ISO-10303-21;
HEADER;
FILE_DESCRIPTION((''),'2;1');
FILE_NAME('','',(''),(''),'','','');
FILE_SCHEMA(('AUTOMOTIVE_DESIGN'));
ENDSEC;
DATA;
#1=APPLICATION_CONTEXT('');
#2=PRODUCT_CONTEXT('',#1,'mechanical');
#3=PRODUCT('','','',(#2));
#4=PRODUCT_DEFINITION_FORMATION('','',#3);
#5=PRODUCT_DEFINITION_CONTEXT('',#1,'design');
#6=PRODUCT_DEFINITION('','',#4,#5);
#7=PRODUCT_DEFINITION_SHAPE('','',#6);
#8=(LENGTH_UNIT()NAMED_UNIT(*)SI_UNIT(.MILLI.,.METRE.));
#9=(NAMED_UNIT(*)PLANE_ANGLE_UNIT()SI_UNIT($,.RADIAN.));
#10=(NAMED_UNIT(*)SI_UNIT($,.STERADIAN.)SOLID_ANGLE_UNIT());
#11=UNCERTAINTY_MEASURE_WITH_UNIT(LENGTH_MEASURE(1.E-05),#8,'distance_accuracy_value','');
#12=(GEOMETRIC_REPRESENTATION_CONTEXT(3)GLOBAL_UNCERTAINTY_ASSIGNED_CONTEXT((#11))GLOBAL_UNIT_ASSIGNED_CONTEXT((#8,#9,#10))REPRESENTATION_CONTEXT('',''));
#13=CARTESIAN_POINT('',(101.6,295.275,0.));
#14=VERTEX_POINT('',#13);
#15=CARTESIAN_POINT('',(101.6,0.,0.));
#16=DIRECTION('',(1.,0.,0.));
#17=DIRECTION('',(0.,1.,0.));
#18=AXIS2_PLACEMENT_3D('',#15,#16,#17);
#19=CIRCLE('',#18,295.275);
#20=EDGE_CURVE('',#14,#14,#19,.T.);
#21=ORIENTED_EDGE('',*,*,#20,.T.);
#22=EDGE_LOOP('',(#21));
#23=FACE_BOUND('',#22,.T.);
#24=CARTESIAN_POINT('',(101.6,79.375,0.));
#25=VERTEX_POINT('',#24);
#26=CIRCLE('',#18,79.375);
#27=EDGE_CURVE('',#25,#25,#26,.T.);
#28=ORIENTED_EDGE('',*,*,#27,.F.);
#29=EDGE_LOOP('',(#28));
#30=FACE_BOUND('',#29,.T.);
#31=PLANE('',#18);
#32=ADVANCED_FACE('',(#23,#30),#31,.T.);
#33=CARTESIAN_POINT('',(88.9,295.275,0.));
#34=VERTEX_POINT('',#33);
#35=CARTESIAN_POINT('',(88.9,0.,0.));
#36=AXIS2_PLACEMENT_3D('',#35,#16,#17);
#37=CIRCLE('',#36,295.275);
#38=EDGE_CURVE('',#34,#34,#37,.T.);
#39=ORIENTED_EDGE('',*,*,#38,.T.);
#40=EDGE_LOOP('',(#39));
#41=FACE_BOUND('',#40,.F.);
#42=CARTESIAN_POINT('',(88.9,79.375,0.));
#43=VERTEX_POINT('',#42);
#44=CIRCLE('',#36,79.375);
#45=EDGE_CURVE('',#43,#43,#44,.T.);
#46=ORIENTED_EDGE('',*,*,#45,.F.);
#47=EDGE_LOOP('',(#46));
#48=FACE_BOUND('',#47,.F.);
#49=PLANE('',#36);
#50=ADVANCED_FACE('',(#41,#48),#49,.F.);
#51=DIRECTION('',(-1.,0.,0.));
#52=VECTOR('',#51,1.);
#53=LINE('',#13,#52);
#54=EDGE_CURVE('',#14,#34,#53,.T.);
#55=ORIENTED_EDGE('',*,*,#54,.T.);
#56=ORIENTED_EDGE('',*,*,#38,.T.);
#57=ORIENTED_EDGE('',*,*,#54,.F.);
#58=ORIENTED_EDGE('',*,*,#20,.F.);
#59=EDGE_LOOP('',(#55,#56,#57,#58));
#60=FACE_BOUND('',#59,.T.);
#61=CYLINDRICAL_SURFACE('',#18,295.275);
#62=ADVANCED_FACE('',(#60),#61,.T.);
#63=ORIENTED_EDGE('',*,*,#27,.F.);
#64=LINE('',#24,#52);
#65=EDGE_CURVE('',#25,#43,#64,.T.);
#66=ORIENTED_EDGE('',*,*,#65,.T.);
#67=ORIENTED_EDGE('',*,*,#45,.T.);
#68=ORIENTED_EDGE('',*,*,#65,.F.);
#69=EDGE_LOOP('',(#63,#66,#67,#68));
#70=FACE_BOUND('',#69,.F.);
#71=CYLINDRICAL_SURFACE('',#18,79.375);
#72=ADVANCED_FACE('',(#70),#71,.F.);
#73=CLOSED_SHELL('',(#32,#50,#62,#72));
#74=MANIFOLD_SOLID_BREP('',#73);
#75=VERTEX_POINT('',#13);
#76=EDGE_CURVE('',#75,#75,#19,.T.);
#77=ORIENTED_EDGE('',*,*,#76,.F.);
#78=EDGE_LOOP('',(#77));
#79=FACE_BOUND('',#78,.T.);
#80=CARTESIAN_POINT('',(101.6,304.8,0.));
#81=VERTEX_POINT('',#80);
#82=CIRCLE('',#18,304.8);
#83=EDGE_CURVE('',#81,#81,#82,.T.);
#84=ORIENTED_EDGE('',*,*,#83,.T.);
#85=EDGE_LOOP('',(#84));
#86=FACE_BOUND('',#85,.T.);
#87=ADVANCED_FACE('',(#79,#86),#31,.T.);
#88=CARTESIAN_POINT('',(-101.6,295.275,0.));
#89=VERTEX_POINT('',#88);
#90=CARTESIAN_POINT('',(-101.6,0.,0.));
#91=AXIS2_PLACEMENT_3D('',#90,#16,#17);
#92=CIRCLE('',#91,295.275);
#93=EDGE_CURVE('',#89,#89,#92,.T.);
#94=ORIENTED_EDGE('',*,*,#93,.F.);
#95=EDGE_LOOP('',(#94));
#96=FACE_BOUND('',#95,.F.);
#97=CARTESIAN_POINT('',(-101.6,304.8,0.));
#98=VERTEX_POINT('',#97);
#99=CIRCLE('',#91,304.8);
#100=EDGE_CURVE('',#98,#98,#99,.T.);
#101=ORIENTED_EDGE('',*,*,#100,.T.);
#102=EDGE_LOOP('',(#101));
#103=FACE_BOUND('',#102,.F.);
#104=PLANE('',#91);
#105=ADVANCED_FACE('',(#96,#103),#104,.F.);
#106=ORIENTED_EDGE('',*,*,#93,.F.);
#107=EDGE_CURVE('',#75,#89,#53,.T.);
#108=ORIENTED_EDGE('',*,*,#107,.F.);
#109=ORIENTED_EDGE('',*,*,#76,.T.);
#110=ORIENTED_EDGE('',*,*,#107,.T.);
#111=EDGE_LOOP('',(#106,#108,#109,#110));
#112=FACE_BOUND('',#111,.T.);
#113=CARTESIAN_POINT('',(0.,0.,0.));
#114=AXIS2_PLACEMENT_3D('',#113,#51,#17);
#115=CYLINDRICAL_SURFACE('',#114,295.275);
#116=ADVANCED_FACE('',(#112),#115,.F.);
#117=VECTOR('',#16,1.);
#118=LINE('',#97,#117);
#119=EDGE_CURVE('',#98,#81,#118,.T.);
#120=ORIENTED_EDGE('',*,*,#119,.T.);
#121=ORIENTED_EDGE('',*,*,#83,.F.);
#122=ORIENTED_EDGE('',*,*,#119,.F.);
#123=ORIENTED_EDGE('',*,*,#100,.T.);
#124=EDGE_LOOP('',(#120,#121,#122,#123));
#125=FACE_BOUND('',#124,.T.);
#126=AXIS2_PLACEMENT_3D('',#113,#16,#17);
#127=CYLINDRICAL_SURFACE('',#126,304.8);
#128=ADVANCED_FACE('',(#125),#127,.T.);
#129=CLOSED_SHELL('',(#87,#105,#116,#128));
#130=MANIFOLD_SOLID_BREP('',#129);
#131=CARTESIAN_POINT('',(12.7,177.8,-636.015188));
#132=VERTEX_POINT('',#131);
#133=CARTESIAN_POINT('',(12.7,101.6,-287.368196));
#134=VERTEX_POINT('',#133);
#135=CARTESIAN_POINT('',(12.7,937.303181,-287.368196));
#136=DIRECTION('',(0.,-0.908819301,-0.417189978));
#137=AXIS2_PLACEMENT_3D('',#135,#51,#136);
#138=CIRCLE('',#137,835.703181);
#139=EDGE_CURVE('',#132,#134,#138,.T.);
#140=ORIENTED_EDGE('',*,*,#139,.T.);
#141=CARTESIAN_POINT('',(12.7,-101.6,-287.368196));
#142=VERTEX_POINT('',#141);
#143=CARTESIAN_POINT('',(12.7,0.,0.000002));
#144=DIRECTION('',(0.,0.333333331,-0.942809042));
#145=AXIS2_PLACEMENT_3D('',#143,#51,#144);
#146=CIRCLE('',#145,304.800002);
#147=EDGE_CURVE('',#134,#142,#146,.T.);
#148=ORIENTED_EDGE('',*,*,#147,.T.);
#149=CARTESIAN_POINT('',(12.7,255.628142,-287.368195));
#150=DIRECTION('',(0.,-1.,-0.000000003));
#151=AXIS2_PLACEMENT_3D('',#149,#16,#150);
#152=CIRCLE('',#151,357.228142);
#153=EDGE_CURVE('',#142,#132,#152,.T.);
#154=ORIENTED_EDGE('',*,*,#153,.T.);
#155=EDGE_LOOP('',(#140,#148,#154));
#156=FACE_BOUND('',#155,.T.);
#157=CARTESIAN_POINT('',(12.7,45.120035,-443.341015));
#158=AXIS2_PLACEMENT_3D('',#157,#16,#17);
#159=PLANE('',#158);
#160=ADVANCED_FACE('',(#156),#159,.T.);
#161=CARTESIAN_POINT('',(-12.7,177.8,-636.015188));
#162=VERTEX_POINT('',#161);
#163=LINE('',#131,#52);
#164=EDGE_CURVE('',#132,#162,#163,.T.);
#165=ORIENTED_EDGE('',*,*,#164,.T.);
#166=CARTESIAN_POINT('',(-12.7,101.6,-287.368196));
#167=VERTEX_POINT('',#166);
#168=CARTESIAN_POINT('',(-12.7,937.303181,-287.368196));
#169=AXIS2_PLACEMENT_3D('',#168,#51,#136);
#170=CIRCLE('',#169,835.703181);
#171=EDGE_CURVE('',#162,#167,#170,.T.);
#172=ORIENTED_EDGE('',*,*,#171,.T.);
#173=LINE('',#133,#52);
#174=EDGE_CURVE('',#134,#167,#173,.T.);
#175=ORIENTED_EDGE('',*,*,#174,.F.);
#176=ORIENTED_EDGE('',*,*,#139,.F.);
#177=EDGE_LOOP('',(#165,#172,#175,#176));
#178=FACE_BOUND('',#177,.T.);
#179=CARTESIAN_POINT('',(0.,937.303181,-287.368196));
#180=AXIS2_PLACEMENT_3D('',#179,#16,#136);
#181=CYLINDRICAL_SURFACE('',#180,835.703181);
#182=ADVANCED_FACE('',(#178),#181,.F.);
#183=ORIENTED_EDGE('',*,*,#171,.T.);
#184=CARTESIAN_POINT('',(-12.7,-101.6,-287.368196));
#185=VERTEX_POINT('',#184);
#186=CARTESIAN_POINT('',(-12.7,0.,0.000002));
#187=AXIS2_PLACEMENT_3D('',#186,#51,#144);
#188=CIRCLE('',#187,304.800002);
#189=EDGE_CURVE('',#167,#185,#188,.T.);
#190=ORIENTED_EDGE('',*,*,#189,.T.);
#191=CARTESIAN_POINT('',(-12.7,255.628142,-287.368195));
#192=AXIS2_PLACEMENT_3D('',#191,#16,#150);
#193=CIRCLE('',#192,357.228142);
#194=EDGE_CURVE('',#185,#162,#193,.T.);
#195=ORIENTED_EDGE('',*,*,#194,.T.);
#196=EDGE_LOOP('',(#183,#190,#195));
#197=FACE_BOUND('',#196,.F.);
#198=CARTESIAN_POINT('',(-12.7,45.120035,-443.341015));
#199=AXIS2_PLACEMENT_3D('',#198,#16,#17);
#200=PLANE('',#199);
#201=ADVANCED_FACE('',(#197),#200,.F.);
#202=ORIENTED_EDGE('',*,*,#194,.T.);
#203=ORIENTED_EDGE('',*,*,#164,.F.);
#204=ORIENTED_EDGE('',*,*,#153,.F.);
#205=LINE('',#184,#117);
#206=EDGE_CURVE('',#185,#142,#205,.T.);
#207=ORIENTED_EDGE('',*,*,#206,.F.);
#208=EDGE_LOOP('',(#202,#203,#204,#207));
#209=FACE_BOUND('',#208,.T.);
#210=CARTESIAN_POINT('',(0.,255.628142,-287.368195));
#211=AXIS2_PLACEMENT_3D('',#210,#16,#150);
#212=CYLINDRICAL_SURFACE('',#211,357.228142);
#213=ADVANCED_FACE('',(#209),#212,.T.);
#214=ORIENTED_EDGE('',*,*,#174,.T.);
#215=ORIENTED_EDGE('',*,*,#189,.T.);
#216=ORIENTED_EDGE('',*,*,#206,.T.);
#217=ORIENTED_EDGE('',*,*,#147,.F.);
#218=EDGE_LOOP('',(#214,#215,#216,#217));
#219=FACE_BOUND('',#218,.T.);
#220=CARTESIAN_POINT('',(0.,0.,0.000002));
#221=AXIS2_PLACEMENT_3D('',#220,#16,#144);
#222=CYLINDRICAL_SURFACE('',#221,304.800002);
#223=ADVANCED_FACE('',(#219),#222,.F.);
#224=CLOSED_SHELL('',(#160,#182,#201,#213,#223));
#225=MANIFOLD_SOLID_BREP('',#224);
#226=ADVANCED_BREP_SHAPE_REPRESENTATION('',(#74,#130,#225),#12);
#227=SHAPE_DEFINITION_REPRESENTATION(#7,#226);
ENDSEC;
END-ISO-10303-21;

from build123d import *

# Parameters (mm, degrees)
F1_DEPTH = 12.7
F2_R     = 304.8
F2_R_2   = 295.275
F3_DEPTH = 101.6
F4_R     = 295.275
F4_R_2   = 79.375
F5_DEPTH = 12.7


with BuildPart() as f1:
    # F0 (on Right) → F1 (new body, symmetric)
    with BuildSketch(Plane.YZ):
        with BuildLine():
            ThreePointArc((101.6, -287.368196), (0, -304.8), (-101.6, -287.368196))
            ThreePointArc((-101.6, -287.368196), (-23.131923, -510.761954), (177.8, -636.015188))
            ThreePointArc((177.8, -636.015188), (120.872219, -465.806676), (101.6, -287.368196))
        make_face()
    extrude(amount=F1_DEPTH, both=True)


with BuildPart() as f3:
    # F2 (on Right) → F3 (new body, symmetric)
    with BuildSketch(Plane.YZ):
        Circle(F2_R)
        Circle(F2_R_2, mode=Mode.SUBTRACT)
    extrude(amount=F3_DEPTH, both=True)


with BuildPart() as f5:
    # F4 (on face) → F5 (new body)
    with BuildSketch(Plane.YZ.offset(101.6)):
        Circle(F4_R)
        Circle(F4_R_2, mode=Mode.SUBTRACT)
    extrude(amount=-F5_DEPTH)


solid = Compound([f1.part, f3.part, f5.part])
